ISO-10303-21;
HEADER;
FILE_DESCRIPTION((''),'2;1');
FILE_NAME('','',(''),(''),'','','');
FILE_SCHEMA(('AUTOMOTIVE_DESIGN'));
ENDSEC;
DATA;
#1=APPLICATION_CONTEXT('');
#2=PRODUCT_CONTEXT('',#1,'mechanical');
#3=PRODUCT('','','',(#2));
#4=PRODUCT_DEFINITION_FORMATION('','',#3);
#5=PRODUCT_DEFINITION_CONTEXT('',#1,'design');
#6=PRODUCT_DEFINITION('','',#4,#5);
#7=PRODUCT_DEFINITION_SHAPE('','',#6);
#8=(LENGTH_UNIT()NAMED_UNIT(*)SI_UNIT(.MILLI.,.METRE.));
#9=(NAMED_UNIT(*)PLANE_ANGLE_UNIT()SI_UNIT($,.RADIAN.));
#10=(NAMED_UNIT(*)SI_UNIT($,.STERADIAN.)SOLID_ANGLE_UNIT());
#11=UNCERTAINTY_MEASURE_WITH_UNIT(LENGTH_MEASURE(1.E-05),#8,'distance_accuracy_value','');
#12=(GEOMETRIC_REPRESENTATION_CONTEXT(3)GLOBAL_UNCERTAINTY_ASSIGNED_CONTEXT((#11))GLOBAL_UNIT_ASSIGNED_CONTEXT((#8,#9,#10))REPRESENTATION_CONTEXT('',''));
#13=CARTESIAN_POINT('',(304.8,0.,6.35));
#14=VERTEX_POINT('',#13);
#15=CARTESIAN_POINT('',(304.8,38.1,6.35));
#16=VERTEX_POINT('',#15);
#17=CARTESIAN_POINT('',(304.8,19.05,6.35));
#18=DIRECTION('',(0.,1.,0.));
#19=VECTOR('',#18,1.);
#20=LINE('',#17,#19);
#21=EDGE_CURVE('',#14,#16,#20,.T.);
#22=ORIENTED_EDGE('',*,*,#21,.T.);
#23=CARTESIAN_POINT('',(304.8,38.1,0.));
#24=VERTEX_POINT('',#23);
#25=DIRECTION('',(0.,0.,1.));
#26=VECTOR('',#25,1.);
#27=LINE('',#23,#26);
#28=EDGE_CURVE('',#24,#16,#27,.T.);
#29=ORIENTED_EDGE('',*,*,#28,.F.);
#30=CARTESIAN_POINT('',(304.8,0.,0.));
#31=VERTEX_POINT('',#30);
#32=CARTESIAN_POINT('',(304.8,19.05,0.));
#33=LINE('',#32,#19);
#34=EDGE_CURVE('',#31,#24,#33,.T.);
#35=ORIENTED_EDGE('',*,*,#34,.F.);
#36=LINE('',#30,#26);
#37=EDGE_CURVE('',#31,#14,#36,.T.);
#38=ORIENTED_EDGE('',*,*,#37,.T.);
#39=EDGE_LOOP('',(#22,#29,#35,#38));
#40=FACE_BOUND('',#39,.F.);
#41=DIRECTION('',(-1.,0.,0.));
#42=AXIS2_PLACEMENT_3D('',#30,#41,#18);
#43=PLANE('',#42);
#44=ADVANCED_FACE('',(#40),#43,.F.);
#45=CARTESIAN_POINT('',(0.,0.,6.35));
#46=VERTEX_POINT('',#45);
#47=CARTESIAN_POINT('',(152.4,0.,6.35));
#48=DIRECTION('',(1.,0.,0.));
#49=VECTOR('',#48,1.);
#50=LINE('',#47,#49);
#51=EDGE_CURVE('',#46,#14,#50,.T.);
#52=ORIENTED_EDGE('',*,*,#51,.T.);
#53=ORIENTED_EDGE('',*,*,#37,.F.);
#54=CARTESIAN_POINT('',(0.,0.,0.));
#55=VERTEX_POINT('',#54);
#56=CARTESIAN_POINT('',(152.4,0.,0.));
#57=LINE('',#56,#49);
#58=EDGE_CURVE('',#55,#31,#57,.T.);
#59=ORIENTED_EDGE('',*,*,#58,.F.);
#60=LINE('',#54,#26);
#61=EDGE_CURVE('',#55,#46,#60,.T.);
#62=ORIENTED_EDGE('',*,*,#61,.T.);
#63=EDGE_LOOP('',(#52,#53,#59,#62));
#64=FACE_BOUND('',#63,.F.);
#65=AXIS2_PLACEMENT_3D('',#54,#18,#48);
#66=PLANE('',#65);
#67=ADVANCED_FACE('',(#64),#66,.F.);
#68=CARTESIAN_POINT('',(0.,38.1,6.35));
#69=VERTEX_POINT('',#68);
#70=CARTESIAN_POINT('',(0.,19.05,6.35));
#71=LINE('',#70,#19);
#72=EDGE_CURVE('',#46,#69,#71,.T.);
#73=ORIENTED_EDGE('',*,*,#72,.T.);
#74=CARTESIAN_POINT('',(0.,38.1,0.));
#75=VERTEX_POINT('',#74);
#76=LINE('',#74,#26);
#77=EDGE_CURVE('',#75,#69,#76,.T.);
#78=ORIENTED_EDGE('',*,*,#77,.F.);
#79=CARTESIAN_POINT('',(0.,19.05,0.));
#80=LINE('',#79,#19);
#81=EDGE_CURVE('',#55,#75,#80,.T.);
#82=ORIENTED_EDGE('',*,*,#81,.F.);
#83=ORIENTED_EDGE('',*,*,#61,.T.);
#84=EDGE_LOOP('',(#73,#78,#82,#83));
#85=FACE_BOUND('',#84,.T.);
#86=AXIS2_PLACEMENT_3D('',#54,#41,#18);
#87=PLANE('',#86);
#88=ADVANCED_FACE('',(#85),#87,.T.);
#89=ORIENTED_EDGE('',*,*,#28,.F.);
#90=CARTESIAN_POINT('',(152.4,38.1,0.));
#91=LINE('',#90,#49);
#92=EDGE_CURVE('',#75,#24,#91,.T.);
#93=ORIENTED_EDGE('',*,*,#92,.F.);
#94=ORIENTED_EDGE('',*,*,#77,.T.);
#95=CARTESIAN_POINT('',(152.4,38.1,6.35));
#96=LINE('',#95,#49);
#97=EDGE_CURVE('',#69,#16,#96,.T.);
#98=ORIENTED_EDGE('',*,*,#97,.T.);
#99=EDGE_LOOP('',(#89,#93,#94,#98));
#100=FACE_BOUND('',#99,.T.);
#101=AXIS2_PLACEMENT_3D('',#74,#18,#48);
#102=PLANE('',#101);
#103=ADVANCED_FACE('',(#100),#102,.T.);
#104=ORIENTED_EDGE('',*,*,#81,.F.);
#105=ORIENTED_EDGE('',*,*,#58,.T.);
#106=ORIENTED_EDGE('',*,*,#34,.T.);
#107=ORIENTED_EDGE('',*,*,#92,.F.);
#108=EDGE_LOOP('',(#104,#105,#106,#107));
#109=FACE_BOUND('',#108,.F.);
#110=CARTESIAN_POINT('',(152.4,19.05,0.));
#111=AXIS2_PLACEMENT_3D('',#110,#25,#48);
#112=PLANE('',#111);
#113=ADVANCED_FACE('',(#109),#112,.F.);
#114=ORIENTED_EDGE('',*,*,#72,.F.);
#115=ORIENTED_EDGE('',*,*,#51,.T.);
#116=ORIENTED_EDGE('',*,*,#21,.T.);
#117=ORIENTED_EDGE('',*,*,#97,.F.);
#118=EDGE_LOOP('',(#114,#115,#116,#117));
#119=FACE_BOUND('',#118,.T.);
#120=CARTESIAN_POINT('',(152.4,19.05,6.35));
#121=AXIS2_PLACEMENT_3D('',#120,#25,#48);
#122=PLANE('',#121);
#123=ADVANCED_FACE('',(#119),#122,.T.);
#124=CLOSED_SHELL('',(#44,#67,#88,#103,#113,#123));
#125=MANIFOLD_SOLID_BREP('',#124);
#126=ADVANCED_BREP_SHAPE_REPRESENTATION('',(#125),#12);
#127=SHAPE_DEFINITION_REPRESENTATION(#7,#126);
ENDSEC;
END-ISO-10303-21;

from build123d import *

# Parameters (mm, degrees)
SKETCH1_W           = 304.8
SKETCH1_H           = 38.1
BOSS_EXTRUDE1_DEPTH = 6.35


with BuildPart() as part:
    # Sketch1 → Boss-Extrude1 (new body)
    with BuildSketch(Plane.XY):
        with Locations((152.4, 19.05)):
            Rectangle(SKETCH1_W, SKETCH1_H)
    extrude(amount=BOSS_EXTRUDE1_DEPTH)


solid = part.part
